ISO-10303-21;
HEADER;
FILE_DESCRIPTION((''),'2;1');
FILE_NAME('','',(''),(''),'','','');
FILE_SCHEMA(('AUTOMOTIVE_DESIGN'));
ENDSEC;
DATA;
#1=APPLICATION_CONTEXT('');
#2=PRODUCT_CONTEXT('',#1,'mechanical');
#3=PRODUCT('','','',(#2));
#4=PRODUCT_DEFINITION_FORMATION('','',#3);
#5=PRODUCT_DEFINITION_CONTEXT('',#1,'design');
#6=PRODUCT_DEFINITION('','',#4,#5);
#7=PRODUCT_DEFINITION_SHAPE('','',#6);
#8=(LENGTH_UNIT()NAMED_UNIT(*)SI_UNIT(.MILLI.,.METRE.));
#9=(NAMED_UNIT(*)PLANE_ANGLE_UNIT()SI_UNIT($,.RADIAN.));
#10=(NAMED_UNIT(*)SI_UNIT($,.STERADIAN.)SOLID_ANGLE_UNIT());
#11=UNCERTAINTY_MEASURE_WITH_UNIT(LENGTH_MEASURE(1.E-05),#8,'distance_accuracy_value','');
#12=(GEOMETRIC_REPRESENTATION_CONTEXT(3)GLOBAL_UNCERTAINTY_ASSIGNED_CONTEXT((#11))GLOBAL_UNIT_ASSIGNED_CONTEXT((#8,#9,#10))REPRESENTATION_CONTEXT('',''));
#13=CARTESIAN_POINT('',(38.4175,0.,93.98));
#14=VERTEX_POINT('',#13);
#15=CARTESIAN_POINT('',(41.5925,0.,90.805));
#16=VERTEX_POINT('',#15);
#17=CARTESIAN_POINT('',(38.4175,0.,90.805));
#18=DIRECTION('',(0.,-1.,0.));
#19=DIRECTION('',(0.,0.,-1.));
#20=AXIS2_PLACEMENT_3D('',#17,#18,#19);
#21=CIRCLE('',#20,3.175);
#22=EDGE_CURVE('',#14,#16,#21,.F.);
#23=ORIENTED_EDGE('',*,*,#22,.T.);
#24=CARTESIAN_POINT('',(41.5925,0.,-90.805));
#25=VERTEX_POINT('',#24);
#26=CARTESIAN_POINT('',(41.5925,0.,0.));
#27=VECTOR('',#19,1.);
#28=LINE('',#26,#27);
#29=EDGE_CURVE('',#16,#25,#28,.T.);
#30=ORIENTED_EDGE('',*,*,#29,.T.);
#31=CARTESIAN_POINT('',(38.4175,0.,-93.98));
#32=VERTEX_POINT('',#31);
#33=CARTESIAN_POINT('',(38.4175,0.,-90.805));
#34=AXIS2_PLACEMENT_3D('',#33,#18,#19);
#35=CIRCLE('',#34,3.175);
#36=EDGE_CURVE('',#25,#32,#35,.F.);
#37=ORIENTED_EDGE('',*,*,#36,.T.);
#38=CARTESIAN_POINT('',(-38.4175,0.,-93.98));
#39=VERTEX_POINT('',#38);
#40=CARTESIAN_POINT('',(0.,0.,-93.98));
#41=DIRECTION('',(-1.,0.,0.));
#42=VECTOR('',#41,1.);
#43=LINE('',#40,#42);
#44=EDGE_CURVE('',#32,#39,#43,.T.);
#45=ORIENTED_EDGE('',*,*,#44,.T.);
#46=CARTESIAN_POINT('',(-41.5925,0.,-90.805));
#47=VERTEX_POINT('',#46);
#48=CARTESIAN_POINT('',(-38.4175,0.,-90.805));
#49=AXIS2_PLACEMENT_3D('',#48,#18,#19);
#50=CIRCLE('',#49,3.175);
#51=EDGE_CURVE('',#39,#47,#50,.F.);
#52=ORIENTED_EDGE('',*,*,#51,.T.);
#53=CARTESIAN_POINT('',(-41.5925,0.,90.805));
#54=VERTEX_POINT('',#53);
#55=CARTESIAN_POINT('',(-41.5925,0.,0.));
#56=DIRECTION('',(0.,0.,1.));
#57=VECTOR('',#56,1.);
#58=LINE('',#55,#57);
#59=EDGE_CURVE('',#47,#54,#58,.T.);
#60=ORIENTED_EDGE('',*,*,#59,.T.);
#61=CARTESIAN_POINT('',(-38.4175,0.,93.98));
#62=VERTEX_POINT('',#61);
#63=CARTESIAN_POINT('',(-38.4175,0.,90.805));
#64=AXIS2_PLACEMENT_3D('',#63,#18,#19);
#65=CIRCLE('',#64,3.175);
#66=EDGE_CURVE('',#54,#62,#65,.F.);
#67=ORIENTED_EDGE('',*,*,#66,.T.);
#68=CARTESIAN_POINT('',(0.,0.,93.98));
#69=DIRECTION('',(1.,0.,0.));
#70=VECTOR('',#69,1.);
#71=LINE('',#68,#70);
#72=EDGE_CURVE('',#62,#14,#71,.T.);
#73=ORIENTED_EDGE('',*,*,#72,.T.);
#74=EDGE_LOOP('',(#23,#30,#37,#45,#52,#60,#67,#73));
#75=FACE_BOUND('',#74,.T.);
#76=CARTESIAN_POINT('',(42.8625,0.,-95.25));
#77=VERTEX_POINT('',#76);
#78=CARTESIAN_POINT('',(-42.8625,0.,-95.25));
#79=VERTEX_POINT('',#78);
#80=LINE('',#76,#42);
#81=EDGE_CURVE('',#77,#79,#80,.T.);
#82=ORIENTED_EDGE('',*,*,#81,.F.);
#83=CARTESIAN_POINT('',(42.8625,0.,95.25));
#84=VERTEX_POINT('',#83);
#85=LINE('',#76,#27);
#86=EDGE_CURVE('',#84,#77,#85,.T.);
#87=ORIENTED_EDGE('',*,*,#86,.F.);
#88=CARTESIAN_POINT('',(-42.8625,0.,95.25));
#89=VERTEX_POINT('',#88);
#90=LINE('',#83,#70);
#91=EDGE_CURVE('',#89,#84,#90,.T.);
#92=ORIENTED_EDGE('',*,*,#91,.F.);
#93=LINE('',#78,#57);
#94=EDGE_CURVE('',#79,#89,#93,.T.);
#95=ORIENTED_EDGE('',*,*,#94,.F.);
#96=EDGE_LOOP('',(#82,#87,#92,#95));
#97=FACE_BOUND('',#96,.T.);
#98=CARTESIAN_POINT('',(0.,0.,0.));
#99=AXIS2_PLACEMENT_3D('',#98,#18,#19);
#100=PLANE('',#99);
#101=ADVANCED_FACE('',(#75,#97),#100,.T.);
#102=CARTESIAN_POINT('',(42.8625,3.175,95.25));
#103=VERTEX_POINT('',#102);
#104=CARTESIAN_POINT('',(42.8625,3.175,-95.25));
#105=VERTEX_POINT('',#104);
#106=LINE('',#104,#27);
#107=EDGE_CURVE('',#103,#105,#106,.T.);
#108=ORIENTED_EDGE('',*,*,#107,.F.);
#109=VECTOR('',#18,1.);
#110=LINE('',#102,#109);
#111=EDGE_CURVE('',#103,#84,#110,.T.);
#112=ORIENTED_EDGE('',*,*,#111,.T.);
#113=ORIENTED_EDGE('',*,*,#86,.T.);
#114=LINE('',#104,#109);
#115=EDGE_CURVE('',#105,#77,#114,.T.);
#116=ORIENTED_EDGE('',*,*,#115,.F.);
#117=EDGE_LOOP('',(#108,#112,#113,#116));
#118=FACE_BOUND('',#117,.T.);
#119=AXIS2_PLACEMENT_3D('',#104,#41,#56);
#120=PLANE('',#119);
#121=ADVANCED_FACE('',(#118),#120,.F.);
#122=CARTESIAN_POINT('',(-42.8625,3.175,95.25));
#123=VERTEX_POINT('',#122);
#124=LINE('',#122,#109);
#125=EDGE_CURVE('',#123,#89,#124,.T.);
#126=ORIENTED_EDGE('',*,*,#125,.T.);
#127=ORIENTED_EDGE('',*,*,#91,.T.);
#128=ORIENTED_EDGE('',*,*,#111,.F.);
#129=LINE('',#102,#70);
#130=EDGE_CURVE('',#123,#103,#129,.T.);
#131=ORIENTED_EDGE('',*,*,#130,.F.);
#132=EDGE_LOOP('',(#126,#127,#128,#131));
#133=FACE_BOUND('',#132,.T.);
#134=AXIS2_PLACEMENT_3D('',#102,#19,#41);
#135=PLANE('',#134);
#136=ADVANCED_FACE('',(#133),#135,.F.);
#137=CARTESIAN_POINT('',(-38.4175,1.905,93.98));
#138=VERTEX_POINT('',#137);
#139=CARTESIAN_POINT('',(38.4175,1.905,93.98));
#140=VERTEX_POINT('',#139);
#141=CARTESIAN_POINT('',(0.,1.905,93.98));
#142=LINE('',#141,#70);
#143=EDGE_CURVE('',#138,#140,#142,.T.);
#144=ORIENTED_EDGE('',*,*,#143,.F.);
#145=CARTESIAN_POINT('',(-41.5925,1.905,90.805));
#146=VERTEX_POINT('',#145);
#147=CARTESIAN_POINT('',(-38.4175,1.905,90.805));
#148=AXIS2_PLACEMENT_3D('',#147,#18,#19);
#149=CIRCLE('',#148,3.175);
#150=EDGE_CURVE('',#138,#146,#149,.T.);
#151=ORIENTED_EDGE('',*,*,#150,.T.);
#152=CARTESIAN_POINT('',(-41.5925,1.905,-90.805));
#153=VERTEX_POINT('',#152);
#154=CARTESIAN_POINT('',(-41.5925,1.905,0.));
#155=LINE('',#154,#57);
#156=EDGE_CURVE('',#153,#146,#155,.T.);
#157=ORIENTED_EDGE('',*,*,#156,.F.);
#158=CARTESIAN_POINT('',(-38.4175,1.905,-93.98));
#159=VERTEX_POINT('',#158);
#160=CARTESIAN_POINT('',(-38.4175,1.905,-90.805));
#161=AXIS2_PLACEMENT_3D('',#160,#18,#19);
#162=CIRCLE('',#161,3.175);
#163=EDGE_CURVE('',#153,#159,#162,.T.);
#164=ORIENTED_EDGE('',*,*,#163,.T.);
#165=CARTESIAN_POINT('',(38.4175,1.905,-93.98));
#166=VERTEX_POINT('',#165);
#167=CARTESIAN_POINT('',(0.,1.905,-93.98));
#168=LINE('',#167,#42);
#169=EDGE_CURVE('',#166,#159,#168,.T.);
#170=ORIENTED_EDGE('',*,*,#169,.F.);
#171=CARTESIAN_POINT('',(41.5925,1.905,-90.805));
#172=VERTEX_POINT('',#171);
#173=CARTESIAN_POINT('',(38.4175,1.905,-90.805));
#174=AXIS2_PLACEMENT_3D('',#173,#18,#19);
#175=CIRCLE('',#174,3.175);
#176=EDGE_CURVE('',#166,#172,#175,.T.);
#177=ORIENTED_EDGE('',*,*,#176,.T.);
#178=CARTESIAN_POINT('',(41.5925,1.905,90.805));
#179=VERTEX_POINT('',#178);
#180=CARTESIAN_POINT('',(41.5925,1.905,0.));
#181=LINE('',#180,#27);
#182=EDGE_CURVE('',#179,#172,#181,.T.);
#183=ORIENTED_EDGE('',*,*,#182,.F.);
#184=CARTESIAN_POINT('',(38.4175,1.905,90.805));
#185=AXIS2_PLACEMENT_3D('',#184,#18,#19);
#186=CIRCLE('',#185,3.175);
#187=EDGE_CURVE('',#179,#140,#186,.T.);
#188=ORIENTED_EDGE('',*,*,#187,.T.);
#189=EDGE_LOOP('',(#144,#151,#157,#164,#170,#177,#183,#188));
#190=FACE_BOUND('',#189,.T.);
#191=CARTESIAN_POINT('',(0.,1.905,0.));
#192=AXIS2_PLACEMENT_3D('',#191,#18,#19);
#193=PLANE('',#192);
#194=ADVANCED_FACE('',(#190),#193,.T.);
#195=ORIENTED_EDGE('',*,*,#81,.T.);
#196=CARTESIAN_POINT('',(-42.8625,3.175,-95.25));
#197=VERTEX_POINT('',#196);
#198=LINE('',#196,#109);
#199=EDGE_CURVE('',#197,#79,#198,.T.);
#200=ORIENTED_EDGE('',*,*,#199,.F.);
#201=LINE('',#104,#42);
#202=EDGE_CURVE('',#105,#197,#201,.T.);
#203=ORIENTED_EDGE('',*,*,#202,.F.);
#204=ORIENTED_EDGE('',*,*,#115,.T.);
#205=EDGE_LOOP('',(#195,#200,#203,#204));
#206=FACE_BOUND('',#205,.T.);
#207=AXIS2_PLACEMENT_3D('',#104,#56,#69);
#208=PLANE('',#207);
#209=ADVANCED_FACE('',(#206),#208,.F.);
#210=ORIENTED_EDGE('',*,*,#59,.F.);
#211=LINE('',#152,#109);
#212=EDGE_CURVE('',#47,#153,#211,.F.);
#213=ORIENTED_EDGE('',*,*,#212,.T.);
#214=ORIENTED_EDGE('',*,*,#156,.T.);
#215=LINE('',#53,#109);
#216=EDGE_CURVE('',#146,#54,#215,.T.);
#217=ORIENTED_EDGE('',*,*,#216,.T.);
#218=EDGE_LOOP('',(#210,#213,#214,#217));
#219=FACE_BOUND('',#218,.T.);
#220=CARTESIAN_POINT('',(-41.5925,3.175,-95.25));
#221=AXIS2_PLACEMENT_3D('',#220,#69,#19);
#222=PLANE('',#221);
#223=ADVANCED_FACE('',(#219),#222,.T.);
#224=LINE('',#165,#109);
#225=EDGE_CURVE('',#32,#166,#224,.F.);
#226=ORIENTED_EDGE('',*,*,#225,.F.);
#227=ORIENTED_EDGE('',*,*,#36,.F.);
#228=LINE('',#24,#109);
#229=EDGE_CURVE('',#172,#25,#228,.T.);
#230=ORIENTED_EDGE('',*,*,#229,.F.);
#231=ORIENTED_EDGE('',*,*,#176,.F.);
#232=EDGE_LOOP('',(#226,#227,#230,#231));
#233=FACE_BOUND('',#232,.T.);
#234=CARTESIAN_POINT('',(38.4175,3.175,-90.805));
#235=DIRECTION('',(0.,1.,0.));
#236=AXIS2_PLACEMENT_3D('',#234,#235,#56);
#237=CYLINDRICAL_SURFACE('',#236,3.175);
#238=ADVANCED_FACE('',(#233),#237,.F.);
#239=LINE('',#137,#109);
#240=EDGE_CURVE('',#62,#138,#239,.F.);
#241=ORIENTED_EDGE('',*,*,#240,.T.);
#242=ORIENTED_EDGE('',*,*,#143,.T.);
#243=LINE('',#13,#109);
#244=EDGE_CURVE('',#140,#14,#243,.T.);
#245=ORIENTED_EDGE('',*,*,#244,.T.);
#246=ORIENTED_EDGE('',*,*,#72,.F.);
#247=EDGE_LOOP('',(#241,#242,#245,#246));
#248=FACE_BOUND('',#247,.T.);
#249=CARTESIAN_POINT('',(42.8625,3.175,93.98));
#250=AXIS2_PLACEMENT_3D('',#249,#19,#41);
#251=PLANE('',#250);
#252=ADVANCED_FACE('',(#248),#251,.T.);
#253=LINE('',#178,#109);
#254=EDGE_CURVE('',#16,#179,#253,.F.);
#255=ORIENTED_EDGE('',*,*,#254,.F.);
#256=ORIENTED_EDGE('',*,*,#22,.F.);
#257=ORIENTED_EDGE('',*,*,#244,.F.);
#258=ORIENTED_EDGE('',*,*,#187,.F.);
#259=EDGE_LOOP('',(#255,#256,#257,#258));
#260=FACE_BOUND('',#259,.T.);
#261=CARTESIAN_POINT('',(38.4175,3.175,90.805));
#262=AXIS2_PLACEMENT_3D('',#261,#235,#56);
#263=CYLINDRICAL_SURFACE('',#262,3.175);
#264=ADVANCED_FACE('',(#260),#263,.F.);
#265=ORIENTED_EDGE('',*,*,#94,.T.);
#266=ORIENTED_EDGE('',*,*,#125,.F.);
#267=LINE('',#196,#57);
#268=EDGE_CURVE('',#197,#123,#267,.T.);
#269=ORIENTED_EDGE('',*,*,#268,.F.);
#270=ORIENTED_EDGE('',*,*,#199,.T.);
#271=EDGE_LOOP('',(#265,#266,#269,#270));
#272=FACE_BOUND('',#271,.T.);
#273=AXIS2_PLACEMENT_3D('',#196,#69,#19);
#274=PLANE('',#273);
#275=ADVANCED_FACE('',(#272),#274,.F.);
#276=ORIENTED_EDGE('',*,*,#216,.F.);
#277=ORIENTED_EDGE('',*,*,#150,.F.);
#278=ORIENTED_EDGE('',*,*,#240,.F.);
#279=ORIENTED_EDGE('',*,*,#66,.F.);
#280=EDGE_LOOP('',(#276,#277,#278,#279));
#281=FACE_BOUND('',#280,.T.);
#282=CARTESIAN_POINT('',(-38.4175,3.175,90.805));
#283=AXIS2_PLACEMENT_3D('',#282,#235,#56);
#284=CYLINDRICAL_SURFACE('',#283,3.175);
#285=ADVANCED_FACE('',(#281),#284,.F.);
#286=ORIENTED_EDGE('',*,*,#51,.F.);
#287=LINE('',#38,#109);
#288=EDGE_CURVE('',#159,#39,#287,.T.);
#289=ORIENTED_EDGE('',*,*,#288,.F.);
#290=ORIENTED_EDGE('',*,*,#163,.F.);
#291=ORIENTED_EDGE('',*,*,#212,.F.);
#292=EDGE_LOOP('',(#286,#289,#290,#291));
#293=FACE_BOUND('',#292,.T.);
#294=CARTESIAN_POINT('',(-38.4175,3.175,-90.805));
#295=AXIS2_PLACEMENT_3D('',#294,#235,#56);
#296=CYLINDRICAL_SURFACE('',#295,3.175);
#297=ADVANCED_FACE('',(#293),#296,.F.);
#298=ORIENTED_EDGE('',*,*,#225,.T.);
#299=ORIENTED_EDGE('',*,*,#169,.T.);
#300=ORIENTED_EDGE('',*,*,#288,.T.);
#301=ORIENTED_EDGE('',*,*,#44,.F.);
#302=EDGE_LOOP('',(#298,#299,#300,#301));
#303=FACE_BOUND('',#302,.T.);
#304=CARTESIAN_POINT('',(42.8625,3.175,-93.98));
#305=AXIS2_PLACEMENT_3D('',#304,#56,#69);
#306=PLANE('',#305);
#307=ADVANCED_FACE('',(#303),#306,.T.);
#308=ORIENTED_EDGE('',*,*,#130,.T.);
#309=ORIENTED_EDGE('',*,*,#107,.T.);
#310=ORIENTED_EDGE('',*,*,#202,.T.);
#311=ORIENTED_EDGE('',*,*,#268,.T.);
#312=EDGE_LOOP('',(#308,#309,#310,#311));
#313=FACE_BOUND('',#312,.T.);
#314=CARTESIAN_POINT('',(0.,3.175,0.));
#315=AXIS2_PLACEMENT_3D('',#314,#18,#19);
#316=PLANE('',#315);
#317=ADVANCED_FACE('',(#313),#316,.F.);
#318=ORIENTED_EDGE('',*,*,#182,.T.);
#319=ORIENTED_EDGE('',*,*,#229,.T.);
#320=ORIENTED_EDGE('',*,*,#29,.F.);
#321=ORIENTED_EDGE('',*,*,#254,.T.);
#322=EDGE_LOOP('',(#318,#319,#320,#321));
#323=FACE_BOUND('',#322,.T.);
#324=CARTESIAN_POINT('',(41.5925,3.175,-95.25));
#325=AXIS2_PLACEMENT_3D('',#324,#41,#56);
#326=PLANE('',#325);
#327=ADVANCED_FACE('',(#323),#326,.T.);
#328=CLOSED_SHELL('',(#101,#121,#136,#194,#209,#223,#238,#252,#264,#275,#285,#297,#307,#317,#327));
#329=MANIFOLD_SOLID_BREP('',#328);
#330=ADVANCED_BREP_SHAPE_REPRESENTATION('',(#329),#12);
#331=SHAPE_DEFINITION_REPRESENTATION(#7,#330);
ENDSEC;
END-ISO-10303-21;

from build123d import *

# Parameters (mm, degrees)
SKETCH1_W           = 85.725
SKETCH1_H           = 190.5
BOSS_EXTRUDE1_DEPTH = 3.175
SHELL1_T            = -1.27
FILLET1_R           = 3.175


with BuildPart() as part:
    # Sketch1 → Boss-Extrude1 (new body)
    with BuildSketch(Plane(origin=(0, 0, 0), x_dir=(1, 0, 0), z_dir=(0, 1, 0))):
        Rectangle(SKETCH1_W, SKETCH1_H)
    extrude(amount=BOSS_EXTRUDE1_DEPTH)

    # Shell1
    shell1_openings = [part.faces().sort_by_distance(p)[0] for p in [
        (0, 0, 0),
    ]]
    offset(amount=SHELL1_T, openings=shell1_openings, kind=Kind.INTERSECTION)

    # Fillet1
    fillet1_edges = [part.edges().sort_by_distance(p)[0] for p in [
        (-41.5925, 0.9525, -93.98),
        (-41.5925, 0.9525, 93.98),
        (41.5925, 0.9525, 93.98),
        (41.5925, 0.9525, -93.98),
    ]]
    fillet(fillet1_edges, radius=FILLET1_R)


solid = part.part
